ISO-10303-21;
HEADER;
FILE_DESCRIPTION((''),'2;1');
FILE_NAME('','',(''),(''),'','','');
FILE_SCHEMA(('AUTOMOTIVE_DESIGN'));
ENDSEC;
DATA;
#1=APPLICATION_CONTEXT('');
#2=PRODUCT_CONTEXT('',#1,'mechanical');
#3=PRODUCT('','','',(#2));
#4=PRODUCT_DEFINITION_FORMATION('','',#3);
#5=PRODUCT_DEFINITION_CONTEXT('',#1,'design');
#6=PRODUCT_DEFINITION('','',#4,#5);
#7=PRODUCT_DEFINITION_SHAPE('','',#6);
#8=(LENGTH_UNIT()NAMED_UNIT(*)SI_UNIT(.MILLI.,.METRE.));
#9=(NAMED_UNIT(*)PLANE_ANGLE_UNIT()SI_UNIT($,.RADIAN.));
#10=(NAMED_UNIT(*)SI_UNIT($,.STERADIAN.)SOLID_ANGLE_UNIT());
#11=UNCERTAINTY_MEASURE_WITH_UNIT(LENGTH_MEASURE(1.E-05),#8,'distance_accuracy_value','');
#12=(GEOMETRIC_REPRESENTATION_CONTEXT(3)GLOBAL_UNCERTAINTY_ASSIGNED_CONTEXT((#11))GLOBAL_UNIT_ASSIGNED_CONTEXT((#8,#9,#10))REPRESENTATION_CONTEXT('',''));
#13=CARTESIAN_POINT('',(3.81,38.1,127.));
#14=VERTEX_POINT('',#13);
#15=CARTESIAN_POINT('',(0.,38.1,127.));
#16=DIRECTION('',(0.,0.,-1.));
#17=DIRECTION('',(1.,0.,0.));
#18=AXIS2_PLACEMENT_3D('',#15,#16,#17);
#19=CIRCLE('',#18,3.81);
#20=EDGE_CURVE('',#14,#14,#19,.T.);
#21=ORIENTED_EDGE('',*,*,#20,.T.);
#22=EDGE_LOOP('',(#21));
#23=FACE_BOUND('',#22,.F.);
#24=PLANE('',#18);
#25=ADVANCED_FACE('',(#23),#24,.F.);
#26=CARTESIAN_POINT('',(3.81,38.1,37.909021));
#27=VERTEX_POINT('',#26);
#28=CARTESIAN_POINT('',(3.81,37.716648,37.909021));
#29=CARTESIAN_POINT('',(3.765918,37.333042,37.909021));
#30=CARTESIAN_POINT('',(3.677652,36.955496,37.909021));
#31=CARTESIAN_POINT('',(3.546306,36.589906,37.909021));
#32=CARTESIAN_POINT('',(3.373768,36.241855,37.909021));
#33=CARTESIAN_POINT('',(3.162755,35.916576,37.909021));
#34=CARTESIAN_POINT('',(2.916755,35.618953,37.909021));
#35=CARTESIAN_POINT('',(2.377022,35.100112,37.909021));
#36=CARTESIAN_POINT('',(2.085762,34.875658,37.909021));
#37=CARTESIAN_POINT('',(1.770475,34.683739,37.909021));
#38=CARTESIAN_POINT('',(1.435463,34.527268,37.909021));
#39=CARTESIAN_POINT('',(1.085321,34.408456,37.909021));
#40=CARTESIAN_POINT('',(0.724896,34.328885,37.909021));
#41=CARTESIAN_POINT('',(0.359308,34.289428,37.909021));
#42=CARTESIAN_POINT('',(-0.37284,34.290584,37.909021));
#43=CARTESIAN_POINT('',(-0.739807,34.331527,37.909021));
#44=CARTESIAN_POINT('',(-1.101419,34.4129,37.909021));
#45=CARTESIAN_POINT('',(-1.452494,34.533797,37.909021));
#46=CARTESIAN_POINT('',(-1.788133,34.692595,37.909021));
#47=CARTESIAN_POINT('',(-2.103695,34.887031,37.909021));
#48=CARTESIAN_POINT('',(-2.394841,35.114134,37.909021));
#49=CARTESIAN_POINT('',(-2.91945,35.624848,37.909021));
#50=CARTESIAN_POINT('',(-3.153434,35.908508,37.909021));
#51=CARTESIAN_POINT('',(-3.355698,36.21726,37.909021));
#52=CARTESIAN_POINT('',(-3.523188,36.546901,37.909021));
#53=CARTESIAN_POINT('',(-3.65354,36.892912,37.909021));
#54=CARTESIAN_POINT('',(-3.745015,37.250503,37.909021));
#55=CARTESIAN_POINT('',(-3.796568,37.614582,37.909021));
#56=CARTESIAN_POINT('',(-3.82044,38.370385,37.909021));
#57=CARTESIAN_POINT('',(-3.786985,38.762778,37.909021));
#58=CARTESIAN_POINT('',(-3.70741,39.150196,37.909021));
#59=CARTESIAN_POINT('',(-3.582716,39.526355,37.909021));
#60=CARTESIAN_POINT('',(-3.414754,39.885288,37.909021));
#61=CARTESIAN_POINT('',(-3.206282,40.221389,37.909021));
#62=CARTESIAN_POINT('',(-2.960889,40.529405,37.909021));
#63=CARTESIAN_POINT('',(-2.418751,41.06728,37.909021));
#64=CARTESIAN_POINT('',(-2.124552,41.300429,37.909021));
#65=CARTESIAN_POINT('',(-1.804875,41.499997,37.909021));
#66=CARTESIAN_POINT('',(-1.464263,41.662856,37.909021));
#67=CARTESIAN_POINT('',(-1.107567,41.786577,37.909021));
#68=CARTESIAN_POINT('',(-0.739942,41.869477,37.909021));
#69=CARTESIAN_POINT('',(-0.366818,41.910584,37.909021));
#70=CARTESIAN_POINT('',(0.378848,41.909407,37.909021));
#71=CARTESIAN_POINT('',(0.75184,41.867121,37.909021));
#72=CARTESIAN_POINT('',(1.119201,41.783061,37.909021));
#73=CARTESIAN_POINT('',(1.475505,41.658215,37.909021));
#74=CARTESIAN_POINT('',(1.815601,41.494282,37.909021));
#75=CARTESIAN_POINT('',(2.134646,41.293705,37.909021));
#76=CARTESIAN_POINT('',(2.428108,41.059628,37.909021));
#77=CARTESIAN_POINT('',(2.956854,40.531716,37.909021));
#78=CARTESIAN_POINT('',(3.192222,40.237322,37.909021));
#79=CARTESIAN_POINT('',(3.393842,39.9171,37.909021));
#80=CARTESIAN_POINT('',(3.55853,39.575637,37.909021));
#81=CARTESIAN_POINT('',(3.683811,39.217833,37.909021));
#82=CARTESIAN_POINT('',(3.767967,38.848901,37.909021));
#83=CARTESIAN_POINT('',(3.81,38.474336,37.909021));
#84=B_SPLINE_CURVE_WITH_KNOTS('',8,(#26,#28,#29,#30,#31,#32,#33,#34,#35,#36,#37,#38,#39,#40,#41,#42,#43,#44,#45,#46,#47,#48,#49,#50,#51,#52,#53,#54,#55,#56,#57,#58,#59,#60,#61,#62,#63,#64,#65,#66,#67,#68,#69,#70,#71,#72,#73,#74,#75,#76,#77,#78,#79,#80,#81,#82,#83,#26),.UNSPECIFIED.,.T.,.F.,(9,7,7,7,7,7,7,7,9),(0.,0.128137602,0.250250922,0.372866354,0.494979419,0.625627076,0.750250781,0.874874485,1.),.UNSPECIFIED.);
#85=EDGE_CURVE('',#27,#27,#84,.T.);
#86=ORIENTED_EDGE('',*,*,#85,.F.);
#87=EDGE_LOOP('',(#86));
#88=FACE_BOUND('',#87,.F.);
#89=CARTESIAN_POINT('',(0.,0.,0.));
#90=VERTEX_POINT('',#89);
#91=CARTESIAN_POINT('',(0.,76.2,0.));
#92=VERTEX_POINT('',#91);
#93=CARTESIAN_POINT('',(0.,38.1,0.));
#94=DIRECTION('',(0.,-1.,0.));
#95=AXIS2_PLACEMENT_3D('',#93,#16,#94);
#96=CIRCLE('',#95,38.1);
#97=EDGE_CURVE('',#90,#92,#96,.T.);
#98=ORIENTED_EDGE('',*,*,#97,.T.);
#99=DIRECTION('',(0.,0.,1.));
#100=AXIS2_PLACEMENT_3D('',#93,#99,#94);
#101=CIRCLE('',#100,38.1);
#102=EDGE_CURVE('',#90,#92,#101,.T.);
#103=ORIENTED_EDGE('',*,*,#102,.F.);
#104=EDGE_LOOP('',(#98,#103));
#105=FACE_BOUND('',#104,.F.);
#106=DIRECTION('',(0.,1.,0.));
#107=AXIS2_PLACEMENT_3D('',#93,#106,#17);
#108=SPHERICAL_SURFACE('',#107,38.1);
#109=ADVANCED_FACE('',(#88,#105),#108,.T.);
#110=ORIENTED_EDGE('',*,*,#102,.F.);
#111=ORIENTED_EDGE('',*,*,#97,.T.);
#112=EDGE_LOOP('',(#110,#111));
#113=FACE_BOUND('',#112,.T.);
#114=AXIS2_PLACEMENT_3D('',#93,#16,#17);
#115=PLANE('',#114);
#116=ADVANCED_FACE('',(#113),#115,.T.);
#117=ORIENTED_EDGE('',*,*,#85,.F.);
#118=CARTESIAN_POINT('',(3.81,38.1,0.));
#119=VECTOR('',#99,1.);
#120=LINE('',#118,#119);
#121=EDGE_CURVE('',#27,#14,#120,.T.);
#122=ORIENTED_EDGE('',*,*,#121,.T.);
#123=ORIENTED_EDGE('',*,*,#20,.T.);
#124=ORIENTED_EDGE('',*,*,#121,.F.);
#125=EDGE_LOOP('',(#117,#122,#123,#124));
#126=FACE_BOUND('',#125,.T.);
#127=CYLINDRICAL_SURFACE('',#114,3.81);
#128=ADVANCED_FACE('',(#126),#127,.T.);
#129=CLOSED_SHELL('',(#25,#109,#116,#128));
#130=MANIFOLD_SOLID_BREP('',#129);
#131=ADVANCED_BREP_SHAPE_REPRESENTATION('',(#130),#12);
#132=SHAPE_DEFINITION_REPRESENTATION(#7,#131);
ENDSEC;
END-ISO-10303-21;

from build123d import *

# Parameters (mm, degrees)
F1_ANGLE = -180
F2_R     = 3.81
F3_DEPTH = 127


with BuildPart() as f1:
    # F0 (on Top) → F1 (revolve)
    with BuildSketch(Plane.XY):
        with BuildLine():
            Line((0, 76.2), (0, 0))
            ThreePointArc((0, 0), (38.1, 38.1), (0, 76.2))
        make_face()
    revolve(axis=Axis((0, 38.1, 0), (0, 1, 0)), revolution_arc=F1_ANGLE)

    # F2 (on face) → F3 (join)
    with BuildSketch(Plane(origin=(0, 0, 0), x_dir=(1, 0, 0), z_dir=(0, 0, -1))):
        with Locations((0, -38.1)):
            Circle(F2_R)
    extrude(amount=-F3_DEPTH)


solid = f1.part
